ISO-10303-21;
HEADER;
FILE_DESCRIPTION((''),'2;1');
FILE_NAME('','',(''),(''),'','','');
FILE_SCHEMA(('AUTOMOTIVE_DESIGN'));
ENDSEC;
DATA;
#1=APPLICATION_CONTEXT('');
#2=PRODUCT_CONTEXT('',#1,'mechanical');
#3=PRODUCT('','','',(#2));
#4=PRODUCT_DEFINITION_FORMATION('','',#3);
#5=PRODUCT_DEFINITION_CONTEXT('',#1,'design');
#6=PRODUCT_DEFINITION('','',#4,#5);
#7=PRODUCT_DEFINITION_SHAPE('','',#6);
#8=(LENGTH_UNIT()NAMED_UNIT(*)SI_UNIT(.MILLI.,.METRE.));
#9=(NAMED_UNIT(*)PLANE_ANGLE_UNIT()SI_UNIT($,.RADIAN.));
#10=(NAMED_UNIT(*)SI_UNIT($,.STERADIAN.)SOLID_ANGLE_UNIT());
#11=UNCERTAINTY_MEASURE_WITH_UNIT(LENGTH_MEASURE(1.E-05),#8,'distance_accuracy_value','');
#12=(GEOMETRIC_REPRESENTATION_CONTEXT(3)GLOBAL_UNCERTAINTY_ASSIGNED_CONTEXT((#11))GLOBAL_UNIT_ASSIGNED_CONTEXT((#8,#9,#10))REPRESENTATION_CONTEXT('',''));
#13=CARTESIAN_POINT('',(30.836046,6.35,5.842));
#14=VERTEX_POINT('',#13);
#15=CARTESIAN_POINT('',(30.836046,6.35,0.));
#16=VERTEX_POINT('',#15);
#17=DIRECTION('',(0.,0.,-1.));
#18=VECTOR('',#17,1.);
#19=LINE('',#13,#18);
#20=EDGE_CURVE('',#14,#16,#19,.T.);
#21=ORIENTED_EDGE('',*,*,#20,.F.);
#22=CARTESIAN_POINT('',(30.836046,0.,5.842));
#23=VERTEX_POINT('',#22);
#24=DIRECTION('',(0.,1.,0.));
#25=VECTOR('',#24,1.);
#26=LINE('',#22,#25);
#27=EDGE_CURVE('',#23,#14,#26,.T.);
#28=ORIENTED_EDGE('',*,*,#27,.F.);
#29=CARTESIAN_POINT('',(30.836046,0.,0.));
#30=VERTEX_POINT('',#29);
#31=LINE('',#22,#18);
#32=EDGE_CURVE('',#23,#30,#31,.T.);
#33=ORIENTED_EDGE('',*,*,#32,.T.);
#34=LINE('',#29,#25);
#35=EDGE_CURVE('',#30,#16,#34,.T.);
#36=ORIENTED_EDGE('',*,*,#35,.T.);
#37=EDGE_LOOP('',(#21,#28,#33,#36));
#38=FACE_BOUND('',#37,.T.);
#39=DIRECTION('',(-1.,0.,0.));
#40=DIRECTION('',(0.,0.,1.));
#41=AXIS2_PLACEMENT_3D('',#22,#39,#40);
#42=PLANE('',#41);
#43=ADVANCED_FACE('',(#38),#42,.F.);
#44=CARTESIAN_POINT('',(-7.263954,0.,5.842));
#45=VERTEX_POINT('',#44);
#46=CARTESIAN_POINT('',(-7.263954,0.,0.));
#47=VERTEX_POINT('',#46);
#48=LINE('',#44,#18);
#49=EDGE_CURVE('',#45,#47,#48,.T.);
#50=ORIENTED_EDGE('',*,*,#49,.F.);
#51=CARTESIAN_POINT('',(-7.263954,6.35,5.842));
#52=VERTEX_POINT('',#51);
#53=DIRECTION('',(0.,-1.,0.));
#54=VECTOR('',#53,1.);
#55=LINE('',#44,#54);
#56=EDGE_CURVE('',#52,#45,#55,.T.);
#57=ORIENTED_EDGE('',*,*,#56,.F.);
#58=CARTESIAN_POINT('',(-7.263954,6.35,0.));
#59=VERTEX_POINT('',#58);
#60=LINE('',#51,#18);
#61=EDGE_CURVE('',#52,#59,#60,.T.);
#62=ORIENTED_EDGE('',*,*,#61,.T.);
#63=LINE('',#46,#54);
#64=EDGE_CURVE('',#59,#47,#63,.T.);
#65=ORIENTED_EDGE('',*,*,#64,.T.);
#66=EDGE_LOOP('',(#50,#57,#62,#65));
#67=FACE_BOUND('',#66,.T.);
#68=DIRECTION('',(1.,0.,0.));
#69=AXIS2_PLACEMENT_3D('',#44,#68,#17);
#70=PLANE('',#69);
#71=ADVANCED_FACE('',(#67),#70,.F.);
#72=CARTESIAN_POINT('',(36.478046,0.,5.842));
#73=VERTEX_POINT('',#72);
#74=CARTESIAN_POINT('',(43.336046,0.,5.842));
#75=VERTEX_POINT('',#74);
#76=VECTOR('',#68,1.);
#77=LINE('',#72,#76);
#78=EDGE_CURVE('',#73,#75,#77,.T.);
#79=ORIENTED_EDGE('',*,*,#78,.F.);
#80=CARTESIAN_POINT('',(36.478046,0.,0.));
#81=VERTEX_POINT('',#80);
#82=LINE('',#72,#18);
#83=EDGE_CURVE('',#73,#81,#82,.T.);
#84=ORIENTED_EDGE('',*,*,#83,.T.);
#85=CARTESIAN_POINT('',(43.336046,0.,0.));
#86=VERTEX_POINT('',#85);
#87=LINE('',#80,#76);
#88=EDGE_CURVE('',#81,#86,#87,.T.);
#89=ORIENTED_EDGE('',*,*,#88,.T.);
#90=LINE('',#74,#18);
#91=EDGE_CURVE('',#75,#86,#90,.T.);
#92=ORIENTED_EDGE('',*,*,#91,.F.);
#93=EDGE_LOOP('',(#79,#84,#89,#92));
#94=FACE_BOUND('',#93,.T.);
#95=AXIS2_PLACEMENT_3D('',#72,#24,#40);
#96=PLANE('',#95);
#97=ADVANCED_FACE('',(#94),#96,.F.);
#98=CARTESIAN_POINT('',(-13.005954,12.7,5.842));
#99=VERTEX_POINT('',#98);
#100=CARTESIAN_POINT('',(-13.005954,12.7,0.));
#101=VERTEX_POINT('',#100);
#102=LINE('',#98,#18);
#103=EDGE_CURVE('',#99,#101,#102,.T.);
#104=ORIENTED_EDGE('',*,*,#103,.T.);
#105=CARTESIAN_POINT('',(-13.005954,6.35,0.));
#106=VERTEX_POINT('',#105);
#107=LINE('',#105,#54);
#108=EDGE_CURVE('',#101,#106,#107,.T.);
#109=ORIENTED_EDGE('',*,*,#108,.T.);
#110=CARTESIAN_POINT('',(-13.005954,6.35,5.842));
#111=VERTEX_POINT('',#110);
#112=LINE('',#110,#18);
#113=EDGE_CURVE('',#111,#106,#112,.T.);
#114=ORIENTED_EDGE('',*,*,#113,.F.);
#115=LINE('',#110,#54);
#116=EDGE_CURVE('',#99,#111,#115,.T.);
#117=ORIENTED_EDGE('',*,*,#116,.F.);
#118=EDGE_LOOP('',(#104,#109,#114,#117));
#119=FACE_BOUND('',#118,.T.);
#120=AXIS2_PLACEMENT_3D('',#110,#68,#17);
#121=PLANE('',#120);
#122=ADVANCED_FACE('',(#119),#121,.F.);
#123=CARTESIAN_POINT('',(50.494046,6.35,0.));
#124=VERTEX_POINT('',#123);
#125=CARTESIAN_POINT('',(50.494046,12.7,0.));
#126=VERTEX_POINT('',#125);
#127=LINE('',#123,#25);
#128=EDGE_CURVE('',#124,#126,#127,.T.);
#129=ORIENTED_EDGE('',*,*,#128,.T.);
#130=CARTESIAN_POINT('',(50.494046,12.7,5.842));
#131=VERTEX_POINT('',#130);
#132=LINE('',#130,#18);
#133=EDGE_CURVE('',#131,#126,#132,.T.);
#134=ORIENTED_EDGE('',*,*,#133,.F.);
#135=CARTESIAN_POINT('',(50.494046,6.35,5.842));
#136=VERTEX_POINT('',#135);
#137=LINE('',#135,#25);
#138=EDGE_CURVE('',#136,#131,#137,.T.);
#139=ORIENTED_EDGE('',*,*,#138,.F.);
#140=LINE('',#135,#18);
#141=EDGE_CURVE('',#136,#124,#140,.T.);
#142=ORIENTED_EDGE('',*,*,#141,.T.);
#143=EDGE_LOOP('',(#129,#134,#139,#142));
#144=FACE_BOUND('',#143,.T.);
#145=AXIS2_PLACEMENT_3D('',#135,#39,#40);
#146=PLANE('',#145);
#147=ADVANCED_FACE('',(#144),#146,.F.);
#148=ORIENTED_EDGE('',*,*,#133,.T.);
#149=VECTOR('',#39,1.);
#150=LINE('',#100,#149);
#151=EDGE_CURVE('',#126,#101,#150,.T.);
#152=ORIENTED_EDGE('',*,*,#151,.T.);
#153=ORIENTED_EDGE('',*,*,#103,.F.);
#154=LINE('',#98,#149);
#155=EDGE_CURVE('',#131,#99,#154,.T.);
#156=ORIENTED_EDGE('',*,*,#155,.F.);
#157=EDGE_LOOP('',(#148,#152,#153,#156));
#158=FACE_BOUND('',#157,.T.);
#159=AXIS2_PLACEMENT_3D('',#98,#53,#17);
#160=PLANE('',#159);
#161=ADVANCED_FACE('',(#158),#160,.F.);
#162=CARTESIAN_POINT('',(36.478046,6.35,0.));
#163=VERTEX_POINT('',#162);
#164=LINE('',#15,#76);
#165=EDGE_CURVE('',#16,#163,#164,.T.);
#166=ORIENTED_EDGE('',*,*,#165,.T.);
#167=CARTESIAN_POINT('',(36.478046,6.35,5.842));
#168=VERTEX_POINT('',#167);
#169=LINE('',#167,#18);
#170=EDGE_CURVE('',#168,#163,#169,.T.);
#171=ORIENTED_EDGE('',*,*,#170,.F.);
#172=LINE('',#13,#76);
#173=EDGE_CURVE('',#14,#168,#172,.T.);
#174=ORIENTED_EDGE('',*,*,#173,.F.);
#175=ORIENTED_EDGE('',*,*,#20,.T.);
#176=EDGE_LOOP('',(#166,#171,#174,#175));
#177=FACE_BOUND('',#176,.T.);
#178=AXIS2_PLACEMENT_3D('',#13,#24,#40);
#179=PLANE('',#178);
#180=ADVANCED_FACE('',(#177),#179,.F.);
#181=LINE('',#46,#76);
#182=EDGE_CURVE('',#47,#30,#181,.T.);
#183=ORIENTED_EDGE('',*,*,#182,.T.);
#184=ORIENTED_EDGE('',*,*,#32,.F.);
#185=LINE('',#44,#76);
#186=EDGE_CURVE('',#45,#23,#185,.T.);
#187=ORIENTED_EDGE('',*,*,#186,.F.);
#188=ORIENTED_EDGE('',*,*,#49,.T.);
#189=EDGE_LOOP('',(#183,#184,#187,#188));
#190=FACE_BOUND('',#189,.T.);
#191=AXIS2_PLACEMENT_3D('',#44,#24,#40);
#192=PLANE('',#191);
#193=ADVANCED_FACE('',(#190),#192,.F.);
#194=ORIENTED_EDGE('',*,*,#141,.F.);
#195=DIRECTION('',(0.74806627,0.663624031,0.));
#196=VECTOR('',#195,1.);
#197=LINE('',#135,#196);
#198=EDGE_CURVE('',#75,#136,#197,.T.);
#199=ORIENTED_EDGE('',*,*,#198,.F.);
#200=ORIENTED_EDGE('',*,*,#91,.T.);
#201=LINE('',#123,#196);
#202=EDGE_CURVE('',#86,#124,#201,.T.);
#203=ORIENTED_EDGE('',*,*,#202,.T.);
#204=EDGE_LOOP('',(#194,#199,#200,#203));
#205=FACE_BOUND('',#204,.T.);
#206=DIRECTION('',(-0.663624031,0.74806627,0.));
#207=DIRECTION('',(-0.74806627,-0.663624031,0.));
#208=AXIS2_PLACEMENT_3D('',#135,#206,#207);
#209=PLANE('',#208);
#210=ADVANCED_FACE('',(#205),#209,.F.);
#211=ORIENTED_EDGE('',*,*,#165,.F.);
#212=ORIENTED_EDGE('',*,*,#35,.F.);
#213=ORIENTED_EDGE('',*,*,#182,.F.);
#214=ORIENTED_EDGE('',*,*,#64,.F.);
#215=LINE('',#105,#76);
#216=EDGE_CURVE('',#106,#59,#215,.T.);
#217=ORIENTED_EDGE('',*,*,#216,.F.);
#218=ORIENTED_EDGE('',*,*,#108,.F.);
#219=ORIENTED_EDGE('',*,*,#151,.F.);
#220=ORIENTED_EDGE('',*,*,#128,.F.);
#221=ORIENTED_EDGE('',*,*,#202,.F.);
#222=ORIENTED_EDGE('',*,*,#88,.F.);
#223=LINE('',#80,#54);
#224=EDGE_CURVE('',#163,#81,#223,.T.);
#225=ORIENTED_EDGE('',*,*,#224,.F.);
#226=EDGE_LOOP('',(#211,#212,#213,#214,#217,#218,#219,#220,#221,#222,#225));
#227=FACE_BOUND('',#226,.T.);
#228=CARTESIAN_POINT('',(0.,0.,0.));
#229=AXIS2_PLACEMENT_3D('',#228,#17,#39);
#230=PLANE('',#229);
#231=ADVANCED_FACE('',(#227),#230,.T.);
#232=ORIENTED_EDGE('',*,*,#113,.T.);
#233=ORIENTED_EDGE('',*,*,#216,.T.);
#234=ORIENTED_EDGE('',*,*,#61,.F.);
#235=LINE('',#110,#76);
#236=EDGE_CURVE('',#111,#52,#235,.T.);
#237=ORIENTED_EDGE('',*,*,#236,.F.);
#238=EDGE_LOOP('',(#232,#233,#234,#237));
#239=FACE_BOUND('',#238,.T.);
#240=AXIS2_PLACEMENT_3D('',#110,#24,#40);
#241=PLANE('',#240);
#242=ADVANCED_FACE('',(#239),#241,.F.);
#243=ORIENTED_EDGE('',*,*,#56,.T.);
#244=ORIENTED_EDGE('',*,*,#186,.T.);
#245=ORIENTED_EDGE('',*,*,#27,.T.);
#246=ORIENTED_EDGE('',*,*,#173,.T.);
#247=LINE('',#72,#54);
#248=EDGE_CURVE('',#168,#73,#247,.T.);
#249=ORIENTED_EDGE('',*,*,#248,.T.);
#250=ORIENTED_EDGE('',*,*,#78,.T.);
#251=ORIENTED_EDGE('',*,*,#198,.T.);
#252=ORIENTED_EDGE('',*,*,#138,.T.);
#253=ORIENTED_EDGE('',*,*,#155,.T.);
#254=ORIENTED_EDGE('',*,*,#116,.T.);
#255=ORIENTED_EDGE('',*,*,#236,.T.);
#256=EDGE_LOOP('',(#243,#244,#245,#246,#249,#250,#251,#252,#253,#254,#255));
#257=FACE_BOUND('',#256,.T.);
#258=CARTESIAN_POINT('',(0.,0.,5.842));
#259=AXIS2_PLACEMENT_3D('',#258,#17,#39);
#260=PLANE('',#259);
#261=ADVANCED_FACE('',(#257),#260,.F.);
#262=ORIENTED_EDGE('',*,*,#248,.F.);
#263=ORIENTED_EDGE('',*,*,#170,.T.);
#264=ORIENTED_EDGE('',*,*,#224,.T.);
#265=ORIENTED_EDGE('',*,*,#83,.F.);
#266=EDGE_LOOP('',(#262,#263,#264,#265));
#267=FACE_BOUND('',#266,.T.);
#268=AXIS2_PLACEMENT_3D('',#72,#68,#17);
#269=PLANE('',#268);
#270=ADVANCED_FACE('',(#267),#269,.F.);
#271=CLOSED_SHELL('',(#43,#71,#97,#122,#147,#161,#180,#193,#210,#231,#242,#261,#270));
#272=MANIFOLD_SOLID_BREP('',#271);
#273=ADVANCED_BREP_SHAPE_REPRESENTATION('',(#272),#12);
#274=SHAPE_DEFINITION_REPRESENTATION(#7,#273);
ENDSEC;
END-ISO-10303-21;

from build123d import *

# Parameters (mm, degrees)
BOSS_EXTRUDE1_DEPTH = 5.842


with BuildPart() as part:
    # Sketch1 → Boss-Extrude1 (new body)
    with BuildSketch(Plane.XY):
        Polygon((36.478045629, 0), (43.336045629, 0), (50.494045629, 6.35), (50.494045629, 12.7), (-13.005954371, 12.7), (-13.005954371, 6.35), (-7.263954371, 6.35), (-7.263954371, 0), (30.836045629, 0), (30.836045629, 6.35), (36.478045629, 6.35), align=None)
    extrude(amount=BOSS_EXTRUDE1_DEPTH)


solid = part.part
